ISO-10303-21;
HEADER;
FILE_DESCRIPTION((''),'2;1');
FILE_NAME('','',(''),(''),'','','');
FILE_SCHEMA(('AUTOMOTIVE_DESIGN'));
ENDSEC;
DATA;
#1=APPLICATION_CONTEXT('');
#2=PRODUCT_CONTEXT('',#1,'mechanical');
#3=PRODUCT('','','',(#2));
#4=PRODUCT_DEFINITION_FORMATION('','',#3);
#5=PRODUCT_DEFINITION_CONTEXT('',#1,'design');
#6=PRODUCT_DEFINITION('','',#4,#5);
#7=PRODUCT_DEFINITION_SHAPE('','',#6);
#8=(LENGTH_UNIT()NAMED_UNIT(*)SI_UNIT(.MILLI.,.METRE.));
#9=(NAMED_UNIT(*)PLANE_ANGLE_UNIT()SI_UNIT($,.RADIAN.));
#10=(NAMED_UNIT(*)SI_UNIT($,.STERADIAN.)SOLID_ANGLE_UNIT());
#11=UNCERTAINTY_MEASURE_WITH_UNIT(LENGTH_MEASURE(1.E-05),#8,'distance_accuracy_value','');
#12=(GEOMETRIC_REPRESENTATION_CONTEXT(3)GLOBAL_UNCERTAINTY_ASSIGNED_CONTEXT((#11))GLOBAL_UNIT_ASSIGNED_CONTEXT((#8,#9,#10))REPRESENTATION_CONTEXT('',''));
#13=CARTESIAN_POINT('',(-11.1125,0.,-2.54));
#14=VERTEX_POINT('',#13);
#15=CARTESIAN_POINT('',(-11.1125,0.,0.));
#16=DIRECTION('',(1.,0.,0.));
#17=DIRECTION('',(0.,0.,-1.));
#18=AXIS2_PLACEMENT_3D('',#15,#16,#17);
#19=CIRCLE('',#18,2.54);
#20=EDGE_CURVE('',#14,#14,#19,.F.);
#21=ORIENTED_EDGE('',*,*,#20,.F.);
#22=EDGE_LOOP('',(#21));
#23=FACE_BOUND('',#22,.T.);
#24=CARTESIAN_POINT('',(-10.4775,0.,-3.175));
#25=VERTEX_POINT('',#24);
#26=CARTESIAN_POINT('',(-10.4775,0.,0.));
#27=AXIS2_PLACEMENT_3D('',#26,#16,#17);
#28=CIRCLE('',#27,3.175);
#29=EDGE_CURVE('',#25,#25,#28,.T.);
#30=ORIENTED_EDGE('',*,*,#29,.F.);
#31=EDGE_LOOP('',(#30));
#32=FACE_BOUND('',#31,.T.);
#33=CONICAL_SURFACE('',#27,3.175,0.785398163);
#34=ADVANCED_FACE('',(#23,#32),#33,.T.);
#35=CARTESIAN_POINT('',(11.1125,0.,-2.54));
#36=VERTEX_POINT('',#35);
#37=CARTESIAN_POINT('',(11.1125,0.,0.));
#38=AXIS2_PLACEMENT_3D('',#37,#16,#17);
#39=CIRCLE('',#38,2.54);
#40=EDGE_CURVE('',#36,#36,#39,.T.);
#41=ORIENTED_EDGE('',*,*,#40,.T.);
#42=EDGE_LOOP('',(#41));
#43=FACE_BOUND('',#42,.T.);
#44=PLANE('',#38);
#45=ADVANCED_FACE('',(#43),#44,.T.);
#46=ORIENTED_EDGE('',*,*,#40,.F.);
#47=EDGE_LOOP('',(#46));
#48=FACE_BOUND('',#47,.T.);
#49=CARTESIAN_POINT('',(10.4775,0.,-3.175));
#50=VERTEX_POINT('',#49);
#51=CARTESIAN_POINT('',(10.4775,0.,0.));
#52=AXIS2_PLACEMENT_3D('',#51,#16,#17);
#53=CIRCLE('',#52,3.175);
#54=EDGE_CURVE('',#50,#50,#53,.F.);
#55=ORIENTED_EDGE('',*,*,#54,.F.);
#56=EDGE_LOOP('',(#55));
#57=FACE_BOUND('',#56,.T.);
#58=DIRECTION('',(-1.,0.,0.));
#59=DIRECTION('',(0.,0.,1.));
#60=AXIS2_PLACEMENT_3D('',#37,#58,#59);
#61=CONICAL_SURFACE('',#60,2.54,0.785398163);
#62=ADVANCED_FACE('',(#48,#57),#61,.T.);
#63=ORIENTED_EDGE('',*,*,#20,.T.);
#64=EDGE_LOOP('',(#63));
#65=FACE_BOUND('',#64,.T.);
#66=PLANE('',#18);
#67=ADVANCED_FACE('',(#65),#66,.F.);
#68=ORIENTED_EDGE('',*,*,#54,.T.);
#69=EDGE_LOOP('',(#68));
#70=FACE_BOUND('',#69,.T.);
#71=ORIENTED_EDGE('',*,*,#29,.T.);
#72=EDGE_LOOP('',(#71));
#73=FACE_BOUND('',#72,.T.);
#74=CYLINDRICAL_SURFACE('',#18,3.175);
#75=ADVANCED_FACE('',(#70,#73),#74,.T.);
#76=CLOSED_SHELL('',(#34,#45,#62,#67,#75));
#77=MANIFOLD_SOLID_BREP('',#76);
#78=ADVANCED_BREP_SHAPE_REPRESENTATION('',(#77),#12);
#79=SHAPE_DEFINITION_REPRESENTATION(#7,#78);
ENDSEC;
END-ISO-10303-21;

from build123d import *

# Parameters (mm, degrees)
SKETCH2_R           = 3.175
EXTRUDE1_DEPTH      = 11.1125
EXTRUDE1_DEPTH_BACK = 11.1125
CHAMFER1_SIZE       = 0.635


with BuildPart() as part:
    # Sketch2 → Extrude1 (new body, two sides)
    with BuildSketch(Plane(origin=(0, 0, 0), x_dir=(0, 0, -1), z_dir=(1, 0, 0))) as extrude1_sk:
        Circle(SKETCH2_R)
    extrude(amount=EXTRUDE1_DEPTH)
    extrude(extrude1_sk.sketch, amount=-EXTRUDE1_DEPTH_BACK)

    # Chamfer1
    chamfer1_edges = [part.edges().sort_by_distance(p)[0] for p in [
        (-11.1125, 0, 3.175),
        (11.1125, 0, 3.175),
    ]]
    chamfer(chamfer1_edges, length=CHAMFER1_SIZE)


solid = part.part
